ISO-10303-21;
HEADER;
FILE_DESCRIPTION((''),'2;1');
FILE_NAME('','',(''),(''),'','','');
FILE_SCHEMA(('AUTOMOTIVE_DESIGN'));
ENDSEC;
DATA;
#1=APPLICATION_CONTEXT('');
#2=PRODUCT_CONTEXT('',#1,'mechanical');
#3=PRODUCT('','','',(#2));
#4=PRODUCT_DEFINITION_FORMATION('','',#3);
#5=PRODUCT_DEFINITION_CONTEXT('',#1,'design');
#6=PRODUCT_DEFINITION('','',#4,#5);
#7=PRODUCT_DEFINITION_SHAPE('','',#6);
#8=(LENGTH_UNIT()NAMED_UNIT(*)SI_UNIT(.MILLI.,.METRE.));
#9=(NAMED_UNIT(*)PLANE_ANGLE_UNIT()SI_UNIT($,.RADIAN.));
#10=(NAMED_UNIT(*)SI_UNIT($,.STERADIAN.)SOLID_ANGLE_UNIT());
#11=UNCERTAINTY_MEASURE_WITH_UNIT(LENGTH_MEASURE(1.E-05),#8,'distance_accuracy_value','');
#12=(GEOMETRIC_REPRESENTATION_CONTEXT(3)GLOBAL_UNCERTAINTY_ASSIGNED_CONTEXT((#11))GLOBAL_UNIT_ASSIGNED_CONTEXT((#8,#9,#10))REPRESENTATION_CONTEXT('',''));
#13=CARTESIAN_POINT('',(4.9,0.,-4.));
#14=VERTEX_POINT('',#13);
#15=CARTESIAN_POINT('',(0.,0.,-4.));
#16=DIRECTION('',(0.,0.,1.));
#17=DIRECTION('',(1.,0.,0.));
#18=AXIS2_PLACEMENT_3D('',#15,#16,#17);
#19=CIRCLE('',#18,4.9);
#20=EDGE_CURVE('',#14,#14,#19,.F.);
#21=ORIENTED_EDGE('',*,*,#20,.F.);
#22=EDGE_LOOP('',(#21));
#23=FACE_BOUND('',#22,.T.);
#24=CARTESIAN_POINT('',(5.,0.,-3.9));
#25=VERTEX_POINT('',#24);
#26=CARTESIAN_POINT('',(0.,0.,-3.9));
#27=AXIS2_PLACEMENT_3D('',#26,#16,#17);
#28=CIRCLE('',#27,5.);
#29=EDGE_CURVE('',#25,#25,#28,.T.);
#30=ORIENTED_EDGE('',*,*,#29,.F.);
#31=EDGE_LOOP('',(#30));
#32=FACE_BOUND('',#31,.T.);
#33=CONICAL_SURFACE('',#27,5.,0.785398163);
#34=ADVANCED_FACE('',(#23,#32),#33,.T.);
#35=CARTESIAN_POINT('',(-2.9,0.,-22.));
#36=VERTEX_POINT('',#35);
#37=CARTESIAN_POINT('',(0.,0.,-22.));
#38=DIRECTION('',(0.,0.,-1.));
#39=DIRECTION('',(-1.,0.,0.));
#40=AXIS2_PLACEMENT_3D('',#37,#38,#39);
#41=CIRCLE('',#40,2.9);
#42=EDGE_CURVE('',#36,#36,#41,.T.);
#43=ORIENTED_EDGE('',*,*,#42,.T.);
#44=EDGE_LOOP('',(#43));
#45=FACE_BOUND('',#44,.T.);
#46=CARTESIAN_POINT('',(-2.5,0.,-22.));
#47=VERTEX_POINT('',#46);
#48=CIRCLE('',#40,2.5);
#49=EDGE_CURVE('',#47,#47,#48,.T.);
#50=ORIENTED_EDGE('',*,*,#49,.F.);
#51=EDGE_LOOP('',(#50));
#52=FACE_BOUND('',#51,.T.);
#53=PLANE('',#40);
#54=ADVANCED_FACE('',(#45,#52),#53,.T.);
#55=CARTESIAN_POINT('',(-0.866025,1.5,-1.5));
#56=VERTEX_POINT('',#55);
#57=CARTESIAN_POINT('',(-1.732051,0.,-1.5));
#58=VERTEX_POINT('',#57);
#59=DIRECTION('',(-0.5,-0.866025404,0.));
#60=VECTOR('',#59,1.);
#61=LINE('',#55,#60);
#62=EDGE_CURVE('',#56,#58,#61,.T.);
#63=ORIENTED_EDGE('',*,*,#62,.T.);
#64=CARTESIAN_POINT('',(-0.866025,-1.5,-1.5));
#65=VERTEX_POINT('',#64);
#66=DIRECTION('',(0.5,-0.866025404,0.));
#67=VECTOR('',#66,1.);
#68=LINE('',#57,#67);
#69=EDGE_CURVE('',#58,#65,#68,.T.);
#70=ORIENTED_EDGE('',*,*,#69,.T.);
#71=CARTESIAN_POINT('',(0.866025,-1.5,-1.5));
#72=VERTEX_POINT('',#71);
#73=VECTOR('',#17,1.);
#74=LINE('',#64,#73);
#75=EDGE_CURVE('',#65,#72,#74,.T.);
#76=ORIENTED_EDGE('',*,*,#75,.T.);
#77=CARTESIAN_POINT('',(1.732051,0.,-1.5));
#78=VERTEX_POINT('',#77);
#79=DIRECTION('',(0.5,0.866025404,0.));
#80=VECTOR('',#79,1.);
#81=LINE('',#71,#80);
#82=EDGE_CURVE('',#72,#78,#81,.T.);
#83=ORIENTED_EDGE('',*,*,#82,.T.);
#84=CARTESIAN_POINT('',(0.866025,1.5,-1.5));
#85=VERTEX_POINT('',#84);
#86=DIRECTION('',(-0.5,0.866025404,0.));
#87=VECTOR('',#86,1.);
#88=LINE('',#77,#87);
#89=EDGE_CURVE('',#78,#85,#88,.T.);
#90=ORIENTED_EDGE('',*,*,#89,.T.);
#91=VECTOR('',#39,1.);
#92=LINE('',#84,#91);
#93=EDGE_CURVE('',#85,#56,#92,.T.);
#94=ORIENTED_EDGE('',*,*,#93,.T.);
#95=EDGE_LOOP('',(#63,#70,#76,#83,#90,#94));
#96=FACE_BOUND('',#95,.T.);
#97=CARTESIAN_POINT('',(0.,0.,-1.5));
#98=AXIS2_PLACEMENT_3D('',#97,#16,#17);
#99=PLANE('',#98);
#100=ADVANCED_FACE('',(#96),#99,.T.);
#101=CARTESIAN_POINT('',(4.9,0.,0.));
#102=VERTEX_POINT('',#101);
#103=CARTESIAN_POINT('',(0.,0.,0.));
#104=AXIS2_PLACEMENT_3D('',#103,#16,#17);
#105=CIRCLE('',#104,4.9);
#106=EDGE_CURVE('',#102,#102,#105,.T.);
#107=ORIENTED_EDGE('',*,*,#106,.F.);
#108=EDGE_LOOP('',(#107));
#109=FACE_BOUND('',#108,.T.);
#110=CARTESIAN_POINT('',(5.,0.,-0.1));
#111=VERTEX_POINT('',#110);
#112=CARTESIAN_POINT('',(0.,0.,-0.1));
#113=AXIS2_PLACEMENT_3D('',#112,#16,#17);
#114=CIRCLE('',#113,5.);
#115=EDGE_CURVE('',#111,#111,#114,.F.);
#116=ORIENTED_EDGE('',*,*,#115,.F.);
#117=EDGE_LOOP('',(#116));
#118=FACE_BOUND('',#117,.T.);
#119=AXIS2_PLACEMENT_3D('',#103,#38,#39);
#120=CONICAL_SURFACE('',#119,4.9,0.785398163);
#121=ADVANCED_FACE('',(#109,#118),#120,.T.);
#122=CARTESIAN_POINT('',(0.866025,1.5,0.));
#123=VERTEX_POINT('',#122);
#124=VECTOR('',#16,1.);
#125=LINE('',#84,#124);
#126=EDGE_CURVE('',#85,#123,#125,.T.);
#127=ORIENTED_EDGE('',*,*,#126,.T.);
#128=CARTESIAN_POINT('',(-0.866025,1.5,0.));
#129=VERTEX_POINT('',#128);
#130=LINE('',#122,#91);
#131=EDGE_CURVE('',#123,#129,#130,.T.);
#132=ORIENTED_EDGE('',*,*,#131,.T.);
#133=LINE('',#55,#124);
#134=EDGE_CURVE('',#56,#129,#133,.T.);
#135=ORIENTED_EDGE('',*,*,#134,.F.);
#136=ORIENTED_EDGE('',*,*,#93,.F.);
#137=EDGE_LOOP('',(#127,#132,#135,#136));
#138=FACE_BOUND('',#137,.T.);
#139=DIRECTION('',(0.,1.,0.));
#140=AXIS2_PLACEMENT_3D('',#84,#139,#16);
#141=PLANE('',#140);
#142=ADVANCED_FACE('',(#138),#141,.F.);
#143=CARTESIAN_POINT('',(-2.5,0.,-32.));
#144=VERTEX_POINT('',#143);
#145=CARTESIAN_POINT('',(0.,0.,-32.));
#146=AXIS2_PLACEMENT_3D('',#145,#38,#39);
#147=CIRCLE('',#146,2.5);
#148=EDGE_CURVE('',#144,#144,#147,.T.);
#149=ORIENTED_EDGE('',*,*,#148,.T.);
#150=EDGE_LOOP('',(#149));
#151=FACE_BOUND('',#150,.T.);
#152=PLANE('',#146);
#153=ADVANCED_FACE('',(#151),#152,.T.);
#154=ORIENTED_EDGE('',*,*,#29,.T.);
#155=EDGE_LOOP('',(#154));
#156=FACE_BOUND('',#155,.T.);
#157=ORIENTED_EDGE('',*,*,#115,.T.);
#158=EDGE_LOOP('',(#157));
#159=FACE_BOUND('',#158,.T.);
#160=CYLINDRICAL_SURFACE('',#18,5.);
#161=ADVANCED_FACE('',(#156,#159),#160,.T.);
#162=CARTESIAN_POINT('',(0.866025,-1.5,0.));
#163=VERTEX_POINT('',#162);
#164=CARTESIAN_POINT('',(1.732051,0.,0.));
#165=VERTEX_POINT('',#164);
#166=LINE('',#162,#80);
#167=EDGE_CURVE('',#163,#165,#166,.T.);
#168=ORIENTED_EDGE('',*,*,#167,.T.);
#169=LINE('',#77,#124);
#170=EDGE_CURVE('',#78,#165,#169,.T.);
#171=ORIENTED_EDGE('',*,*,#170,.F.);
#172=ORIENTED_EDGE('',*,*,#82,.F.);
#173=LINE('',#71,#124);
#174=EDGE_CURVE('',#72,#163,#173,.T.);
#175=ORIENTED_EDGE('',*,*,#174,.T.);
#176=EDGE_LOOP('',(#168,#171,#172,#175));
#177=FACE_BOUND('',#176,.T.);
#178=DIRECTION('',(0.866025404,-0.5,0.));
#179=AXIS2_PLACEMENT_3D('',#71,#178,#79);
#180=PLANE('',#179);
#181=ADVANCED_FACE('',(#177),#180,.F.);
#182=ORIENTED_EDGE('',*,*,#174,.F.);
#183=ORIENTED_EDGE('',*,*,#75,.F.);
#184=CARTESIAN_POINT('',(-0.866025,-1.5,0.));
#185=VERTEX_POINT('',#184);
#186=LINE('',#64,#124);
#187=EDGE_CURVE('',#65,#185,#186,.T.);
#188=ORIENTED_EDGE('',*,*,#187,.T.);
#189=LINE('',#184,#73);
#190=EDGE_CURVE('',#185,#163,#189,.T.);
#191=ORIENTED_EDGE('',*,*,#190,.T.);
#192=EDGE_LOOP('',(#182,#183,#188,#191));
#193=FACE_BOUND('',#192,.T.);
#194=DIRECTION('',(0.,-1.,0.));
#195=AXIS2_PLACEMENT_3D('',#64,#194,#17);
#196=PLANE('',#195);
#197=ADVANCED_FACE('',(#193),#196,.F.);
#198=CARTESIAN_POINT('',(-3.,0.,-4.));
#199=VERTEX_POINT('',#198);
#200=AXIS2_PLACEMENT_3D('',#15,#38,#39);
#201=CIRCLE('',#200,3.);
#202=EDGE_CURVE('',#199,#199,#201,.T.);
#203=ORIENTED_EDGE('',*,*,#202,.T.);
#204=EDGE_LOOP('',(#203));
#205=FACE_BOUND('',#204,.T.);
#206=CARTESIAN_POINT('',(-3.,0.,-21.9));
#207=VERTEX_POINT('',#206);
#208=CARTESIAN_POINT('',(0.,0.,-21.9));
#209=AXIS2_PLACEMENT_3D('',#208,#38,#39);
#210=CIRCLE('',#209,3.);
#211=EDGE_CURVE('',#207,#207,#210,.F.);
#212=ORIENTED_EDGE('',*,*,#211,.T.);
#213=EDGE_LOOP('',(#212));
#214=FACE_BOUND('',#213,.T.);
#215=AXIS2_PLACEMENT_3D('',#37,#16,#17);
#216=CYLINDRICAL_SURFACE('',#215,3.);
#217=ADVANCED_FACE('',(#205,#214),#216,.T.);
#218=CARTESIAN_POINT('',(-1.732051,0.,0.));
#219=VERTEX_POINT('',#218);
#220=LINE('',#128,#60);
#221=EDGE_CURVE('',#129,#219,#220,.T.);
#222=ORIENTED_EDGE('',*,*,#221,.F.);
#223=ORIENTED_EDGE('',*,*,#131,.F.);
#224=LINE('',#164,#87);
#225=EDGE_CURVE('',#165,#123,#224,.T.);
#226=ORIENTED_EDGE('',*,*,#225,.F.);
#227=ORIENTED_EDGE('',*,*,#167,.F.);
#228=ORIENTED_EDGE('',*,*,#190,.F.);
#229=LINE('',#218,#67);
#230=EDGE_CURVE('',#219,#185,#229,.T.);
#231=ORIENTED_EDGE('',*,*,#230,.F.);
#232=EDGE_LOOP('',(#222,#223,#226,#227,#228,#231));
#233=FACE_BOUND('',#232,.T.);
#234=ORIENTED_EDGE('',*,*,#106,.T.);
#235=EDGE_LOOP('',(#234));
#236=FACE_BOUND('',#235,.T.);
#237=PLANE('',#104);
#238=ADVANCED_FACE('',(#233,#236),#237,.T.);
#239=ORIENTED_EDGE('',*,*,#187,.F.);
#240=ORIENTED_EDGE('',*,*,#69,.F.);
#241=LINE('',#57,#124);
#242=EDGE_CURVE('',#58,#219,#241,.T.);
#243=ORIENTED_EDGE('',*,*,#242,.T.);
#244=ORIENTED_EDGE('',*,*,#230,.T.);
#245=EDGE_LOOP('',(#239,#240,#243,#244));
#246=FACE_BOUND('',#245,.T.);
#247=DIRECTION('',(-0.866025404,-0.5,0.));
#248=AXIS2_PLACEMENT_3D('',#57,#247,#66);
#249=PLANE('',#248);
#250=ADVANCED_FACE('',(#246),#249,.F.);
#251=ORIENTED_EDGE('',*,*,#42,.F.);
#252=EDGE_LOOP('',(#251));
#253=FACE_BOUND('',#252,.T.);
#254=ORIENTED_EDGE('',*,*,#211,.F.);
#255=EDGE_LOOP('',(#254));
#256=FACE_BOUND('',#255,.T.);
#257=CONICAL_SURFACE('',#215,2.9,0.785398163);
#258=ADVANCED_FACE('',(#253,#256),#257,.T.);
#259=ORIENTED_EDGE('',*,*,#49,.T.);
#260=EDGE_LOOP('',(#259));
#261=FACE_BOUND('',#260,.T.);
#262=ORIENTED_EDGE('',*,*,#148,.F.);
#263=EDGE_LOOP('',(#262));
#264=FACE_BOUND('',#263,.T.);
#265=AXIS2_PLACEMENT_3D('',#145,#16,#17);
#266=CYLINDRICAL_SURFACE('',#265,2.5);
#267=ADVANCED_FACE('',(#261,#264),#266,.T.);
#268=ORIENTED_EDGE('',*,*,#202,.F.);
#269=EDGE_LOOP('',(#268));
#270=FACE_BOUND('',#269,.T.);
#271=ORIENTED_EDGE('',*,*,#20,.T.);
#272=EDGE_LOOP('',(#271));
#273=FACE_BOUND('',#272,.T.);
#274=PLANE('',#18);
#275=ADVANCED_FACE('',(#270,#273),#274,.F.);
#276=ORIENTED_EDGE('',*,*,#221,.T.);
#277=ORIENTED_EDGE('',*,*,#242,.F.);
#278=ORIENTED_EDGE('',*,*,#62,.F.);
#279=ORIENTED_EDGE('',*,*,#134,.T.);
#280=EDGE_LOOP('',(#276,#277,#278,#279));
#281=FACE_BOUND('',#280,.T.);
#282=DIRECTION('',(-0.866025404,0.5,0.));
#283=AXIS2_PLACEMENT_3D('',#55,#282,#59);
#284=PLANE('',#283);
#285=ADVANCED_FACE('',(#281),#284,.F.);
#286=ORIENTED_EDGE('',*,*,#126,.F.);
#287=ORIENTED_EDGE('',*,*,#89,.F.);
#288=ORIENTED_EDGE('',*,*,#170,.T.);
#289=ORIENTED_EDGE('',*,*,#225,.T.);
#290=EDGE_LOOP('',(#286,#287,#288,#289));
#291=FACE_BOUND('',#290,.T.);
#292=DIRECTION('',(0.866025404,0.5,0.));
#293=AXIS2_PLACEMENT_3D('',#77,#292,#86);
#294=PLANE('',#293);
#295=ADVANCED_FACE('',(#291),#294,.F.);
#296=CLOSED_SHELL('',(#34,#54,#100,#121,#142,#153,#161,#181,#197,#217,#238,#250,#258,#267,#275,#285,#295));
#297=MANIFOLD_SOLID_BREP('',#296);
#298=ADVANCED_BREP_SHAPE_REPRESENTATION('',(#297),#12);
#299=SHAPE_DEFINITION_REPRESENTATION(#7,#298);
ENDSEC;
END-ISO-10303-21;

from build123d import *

# Parameters (mm, degrees)
SKETCH_1_R          = 5
EXTRUDE_1_DEPTH     = 4
SKETCH_2_R          = 3
EXTRUDE_2_DEPTH     = 18
SKETCH_3_R          = 2.5
EXTRUDE_3_DEPTH     = 10
CHAMFER_1_SIZE      = 0.1
CUT_EXTRUDE_1_DEPTH = 1.5


with BuildPart() as part:
    # 草图1 → 凸台-拉伸1 (new body)
    with BuildSketch(Plane.XY):
        Circle(SKETCH_1_R)
    extrude(amount=-EXTRUDE_1_DEPTH)

    # 草图2 → 凸台-拉伸2 (add)
    with BuildSketch(Plane(origin=(0, 0, -4), x_dir=(-1, 0, 0), z_dir=(0, 0, -1))):
        Circle(SKETCH_2_R)
    extrude(amount=EXTRUDE_2_DEPTH)

    # 草图3 → 凸台-拉伸3 (add)
    with BuildSketch(Plane(origin=(0, 0, -22), x_dir=(-1, 0, 0), z_dir=(0, 0, -1))):
        Circle(SKETCH_3_R)
    extrude(amount=EXTRUDE_3_DEPTH)

    # 倒角1
    chamfer_1_edges = [part.edges().sort_by_distance(p)[0] for p in [
        (-5, 0, 0),
        (-5, 0, -4),
        (3, 0, -22),
    ]]
    chamfer(chamfer_1_edges, length=CHAMFER_1_SIZE)

    # 草图4 → 切除-拉伸1 (cut)
    with BuildSketch(Plane.XY):
        Polygon((1.732050808, 0), (0.866025404, 1.5), (-0.866025404, 1.5), (-1.732050808, 0), (-0.866025404, -1.5), (0.866025404, -1.5), align=None)
    extrude(amount=-CUT_EXTRUDE_1_DEPTH, mode=Mode.SUBTRACT)


solid = part.part
